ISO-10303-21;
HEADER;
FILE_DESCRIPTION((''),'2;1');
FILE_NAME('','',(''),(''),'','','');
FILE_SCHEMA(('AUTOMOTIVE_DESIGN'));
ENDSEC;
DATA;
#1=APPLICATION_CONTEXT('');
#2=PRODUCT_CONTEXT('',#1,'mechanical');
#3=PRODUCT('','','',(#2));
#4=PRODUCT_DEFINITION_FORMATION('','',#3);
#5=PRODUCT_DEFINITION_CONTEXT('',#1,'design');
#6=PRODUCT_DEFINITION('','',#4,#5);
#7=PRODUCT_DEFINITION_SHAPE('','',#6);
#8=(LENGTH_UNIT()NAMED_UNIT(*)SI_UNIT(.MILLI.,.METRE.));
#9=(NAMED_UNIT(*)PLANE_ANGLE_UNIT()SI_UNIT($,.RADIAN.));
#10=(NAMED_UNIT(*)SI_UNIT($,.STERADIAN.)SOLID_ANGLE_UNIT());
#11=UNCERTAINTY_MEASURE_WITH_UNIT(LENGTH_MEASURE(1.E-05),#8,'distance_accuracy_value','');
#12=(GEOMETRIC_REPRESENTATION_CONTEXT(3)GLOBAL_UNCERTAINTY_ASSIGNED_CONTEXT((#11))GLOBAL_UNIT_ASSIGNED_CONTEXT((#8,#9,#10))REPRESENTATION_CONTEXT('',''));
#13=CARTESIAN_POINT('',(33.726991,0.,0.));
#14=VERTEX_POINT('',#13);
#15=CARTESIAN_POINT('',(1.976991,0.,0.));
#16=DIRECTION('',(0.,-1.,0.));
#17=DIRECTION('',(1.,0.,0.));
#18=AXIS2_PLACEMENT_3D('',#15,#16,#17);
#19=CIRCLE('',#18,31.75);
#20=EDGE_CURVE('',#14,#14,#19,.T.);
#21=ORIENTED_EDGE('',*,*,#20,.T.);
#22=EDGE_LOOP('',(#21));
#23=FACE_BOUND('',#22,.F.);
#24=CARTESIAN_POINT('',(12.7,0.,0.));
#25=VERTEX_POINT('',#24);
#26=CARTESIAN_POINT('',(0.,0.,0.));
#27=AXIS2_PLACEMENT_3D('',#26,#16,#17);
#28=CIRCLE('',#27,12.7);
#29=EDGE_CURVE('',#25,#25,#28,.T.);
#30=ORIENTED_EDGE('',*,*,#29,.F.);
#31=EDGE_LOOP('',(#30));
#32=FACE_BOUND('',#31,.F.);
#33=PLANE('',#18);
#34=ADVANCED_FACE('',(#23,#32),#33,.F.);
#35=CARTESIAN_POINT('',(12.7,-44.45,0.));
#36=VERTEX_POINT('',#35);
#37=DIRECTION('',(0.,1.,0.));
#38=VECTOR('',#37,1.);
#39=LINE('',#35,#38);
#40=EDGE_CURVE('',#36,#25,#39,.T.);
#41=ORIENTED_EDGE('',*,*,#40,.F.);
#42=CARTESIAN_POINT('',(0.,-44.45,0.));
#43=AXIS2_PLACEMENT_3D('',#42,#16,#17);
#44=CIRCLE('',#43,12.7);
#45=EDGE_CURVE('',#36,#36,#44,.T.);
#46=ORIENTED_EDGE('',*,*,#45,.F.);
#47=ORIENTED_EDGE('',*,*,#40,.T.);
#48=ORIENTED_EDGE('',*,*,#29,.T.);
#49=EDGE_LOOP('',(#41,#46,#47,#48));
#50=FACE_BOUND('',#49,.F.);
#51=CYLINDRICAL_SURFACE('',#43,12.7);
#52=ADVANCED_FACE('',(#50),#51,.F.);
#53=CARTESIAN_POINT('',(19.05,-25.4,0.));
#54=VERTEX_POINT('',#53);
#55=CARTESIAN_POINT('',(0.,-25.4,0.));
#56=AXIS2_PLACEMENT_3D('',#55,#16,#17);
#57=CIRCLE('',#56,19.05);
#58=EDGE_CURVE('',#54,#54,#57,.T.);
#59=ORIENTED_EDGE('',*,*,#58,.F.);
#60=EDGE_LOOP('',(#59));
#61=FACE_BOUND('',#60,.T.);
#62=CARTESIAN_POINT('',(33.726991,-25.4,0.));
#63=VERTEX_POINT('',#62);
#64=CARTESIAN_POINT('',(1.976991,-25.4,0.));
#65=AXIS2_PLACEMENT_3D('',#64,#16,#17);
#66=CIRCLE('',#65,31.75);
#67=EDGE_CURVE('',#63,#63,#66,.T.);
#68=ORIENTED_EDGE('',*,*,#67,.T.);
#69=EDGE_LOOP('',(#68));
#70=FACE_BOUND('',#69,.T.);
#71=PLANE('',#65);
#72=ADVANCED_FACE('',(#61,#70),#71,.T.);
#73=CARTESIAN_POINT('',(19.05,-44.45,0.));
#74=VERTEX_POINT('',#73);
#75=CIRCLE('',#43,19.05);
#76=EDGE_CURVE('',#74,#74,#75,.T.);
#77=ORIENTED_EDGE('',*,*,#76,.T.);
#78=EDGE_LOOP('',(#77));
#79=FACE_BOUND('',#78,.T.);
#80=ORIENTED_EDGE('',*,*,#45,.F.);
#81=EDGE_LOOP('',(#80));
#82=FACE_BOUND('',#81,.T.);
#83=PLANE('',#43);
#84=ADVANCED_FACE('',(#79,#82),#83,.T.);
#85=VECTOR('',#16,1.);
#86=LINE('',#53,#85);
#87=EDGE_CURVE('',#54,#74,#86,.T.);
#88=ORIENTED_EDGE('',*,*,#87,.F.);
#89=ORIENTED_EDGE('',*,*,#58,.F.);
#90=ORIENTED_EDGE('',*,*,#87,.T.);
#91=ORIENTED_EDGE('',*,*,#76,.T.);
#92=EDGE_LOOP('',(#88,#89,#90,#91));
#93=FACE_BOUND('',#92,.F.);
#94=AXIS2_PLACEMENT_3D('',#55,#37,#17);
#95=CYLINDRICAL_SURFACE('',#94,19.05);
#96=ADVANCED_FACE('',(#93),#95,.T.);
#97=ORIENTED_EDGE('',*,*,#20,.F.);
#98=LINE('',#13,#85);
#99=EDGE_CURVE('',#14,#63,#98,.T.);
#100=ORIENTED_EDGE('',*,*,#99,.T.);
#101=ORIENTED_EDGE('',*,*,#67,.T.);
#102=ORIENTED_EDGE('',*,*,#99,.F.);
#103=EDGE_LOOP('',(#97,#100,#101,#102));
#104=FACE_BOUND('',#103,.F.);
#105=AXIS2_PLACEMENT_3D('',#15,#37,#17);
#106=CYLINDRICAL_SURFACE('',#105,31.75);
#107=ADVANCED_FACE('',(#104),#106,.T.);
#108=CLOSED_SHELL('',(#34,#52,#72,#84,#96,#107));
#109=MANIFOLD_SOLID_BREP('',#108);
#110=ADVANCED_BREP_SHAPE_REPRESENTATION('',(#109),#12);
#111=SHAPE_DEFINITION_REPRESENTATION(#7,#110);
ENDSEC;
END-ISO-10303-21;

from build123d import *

# Parameters (mm, degrees)
F0_R     = 31.75
F1_DEPTH = 25.4
F2_R     = 19.05
F3_DEPTH = 19.05
F4_R     = 12.7
F5_DEPTH = 177.8


with BuildPart() as f1:
    # F0 (on Front) → F1 (new body)
    with BuildSketch(Plane.XZ):
        with Locations((1.976991, 0)):
            Circle(F0_R)
    extrude(amount=F1_DEPTH)

    # F2 (on face) → F3 (join)
    with BuildSketch(Plane.XZ.offset(25.4)):
        Circle(F2_R)
    extrude(amount=F3_DEPTH)

    # F4 (on face) → F5 (cut)
    with BuildSketch(Plane.XZ.offset(44.45)):
        Circle(F4_R)
    extrude(amount=-F5_DEPTH, mode=Mode.SUBTRACT)


solid = f1.part
